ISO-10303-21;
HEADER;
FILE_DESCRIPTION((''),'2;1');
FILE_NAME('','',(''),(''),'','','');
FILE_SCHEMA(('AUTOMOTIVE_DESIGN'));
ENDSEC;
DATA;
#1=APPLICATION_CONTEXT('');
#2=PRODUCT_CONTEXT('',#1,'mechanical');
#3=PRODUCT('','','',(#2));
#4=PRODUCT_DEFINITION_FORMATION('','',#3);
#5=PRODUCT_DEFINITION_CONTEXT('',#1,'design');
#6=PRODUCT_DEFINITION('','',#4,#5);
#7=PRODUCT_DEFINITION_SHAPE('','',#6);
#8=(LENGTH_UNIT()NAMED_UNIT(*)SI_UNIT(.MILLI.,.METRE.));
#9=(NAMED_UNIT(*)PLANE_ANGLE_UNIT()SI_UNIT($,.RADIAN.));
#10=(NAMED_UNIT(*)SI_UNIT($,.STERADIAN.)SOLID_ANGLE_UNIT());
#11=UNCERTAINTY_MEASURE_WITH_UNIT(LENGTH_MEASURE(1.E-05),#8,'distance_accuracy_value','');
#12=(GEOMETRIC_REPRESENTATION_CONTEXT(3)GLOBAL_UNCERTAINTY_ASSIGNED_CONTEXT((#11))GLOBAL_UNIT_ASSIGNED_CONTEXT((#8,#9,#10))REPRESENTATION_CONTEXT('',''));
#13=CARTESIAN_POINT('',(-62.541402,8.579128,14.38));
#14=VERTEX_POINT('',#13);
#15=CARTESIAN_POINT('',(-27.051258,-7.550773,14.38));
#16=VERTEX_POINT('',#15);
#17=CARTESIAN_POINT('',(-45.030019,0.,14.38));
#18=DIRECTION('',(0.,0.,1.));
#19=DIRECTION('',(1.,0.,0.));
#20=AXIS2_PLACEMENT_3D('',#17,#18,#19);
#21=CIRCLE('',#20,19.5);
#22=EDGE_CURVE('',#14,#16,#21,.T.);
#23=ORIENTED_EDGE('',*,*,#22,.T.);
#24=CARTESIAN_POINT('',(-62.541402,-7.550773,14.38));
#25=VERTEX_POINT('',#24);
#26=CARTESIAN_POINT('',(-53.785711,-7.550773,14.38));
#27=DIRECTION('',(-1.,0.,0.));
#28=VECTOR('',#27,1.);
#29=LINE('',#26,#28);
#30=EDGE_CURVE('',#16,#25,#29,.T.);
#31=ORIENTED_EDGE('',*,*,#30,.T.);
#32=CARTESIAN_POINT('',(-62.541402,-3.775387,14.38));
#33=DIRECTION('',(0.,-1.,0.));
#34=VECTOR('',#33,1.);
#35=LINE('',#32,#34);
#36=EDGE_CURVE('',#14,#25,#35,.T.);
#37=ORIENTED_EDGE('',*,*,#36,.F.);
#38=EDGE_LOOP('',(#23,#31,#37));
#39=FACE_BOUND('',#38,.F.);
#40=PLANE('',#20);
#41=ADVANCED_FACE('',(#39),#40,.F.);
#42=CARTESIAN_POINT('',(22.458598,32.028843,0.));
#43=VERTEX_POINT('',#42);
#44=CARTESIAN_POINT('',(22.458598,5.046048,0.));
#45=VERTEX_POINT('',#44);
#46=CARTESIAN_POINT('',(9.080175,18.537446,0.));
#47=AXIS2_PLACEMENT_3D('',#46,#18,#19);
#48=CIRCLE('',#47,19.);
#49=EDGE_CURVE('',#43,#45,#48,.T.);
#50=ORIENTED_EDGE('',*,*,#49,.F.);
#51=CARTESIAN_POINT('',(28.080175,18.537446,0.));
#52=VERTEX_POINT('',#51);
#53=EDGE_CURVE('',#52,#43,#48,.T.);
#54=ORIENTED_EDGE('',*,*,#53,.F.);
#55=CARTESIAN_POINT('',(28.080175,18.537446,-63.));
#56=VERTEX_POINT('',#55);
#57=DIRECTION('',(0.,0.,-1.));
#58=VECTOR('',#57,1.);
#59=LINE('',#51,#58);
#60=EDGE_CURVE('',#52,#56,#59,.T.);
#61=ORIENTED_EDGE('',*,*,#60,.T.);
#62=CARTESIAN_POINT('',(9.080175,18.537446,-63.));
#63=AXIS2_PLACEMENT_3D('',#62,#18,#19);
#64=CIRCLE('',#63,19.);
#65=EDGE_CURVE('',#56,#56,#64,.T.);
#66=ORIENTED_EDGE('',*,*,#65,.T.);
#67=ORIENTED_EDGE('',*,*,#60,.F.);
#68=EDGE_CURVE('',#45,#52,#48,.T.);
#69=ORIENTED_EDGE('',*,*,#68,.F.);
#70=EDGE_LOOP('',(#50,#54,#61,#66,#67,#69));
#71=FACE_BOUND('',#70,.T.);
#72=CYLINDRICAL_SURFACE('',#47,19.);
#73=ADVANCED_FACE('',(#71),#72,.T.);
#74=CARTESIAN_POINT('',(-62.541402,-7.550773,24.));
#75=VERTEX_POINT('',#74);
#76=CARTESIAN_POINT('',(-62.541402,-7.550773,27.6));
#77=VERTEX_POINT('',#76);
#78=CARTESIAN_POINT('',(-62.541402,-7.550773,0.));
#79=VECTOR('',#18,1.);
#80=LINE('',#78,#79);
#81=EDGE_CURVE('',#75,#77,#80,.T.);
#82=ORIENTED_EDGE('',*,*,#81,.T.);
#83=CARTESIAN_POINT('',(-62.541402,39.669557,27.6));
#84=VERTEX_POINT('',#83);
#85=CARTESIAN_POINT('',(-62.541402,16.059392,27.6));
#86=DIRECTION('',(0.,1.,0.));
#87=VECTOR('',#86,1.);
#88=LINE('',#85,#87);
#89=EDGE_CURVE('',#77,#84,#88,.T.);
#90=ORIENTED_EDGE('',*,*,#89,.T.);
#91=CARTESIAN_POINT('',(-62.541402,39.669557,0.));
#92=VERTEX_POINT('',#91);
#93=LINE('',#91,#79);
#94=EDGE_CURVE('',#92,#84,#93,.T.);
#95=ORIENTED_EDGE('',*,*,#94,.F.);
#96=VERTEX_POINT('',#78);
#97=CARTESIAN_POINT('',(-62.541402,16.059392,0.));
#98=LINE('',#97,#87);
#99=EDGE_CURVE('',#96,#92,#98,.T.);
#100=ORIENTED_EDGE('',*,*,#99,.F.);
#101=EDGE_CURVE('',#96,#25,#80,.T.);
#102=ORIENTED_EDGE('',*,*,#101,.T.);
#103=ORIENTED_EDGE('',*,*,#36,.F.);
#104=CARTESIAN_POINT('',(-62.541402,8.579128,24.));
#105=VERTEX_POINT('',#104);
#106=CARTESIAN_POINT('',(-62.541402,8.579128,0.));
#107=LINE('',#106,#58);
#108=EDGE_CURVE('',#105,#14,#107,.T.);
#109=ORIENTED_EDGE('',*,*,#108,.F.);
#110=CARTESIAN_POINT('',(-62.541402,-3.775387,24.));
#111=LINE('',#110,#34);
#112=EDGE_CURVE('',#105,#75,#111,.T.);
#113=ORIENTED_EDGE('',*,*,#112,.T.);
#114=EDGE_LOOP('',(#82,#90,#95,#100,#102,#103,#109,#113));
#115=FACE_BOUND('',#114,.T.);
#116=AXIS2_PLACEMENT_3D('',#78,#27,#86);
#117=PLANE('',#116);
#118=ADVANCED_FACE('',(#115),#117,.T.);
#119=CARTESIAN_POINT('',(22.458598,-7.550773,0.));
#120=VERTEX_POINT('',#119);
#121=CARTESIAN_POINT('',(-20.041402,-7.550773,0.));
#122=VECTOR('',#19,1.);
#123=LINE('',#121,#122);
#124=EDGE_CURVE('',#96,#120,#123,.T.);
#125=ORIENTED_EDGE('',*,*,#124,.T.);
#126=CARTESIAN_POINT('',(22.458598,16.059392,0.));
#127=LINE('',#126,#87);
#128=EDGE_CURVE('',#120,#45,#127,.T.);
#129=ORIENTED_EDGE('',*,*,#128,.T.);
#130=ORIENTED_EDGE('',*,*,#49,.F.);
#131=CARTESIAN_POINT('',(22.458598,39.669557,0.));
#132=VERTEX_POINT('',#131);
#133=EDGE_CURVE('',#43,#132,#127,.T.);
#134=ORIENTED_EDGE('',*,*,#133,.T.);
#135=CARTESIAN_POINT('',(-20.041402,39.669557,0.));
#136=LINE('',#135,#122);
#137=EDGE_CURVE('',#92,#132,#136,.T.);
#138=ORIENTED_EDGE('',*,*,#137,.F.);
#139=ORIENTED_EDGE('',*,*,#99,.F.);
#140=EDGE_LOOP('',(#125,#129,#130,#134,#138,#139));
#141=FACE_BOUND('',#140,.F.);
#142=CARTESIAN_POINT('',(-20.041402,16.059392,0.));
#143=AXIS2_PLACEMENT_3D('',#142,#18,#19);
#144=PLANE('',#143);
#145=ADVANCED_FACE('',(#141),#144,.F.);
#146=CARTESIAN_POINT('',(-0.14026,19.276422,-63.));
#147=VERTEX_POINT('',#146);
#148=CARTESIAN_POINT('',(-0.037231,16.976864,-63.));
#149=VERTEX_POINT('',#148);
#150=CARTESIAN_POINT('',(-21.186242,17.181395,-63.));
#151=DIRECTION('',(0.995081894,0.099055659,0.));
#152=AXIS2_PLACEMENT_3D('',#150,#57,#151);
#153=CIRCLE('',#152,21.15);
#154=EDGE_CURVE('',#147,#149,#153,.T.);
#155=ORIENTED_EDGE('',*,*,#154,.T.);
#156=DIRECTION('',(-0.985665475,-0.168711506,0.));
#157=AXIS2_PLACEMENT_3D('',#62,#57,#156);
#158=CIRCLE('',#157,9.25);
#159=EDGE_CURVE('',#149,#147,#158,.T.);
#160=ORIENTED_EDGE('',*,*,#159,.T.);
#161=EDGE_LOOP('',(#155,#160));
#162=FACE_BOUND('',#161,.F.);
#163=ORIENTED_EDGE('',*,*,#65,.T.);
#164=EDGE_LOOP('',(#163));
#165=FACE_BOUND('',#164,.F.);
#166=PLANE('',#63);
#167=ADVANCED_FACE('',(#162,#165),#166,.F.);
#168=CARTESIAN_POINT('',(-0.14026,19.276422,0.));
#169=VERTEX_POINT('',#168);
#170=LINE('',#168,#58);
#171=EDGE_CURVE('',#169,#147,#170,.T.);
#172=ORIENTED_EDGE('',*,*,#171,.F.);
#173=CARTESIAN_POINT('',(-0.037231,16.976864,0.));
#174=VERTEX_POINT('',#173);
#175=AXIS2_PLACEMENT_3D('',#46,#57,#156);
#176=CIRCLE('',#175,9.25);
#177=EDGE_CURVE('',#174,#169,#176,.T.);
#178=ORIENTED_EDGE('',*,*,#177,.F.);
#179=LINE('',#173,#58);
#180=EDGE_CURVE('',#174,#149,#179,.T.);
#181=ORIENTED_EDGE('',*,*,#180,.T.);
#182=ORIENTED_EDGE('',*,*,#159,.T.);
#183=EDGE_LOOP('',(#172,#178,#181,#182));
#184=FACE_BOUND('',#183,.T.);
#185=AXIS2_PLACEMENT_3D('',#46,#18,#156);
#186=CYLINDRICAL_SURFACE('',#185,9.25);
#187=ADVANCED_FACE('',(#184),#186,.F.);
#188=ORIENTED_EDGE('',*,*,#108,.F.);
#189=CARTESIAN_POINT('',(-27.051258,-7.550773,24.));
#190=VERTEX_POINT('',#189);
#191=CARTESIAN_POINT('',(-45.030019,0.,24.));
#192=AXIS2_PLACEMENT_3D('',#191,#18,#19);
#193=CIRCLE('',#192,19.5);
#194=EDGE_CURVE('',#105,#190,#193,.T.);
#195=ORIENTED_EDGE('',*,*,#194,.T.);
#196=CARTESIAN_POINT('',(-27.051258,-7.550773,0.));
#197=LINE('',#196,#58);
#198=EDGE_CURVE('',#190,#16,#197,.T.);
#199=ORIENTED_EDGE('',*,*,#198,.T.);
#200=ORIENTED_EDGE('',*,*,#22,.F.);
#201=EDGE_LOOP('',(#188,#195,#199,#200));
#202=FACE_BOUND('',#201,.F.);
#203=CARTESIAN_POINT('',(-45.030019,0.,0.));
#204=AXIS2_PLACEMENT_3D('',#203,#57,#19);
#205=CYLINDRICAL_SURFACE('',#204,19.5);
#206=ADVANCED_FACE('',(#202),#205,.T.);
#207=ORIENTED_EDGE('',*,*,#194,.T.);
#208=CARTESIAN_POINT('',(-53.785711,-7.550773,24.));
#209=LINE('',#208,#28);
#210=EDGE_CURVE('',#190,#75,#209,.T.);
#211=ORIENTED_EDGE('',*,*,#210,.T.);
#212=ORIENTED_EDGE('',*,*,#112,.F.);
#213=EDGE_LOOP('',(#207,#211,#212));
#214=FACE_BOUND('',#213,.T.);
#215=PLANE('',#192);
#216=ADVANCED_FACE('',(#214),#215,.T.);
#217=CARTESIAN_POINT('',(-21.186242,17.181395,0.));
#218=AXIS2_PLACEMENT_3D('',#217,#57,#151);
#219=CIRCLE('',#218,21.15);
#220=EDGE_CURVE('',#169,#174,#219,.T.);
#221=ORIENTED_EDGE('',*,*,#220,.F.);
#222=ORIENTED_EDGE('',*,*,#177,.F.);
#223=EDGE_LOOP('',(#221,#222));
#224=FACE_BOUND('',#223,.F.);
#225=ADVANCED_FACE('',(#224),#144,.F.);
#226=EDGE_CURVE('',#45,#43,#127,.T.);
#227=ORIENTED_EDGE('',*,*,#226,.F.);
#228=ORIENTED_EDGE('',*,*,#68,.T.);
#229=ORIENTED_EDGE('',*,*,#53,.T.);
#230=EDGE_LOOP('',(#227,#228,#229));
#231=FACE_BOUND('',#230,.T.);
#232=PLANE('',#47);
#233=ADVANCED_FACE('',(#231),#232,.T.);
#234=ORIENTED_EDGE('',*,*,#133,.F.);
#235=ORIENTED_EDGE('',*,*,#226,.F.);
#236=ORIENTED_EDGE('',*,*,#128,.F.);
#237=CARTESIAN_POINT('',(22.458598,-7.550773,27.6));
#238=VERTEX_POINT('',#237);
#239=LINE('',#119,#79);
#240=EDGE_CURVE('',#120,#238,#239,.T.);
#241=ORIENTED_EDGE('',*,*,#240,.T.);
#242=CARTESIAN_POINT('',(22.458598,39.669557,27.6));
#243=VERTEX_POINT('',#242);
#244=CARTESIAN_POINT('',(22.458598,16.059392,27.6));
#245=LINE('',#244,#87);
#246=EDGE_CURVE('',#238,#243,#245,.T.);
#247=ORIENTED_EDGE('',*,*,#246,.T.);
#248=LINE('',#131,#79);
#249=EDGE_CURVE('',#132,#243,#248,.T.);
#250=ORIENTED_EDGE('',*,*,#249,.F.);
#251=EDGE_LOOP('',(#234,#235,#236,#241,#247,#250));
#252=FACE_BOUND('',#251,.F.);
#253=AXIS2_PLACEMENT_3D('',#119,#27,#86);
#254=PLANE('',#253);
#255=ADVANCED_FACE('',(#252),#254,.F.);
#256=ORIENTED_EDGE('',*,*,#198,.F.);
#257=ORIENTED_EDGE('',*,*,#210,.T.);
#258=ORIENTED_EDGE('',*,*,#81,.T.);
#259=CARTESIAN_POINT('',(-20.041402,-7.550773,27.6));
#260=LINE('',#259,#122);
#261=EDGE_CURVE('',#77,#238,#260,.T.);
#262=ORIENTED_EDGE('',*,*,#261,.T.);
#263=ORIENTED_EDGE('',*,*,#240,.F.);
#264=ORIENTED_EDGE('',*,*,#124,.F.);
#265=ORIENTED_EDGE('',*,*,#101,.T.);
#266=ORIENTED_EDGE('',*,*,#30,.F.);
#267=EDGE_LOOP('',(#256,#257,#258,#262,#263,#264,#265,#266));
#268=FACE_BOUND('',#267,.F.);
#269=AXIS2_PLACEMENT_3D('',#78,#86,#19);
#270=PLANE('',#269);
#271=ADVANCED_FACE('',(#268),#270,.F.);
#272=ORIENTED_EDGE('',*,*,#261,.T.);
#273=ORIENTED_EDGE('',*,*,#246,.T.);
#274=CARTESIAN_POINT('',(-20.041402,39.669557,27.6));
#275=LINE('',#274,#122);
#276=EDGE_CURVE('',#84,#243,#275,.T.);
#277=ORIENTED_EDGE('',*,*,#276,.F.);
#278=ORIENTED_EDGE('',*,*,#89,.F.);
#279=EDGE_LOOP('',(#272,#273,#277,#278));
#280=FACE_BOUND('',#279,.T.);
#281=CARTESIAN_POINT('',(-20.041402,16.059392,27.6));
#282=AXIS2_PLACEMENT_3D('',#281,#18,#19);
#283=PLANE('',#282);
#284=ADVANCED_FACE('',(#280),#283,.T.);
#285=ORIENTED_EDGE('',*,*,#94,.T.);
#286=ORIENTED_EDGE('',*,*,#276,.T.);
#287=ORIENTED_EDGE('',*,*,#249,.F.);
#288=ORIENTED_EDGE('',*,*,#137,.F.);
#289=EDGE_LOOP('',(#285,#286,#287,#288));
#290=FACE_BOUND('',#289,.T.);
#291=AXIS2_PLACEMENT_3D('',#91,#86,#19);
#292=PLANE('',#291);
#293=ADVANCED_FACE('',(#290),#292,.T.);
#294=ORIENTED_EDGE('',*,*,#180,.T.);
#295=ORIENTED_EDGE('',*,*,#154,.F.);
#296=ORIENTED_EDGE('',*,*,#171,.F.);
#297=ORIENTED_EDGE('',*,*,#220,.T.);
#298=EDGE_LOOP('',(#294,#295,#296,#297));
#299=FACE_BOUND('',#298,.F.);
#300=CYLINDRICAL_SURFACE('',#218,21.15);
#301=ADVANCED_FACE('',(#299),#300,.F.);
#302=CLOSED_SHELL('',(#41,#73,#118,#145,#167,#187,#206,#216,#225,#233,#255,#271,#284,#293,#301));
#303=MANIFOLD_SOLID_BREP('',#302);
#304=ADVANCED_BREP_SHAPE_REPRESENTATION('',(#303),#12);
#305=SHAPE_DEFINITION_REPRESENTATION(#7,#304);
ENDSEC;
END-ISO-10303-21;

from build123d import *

# Parameters (mm, degrees)
SKETCH1_R          = 19
EXTRUDE13_DEPTH    = 63
EXTRUDE15_DEPTH    = 17
SKETCH2_R          = 19.5
EXTRUDE18_DEPTH    = 24
SKETCH2_6_R        = 19.5
CUT_EXTRUDE1_DEPTH = 14.38
SKETCH7_W          = 85
SKETCH7_H          = 47.220330203
EXTRUDE21_DEPTH    = 27.6


with BuildPart() as part:
    # Sketch1 → Extrude13 (new body)
    with BuildSketch(Plane.XY):
        with Locations((9.080174701, 18.537445764)):
            Circle(SKETCH1_R)
        with BuildLine():
            ThreePointArc((-0.037230939, 16.976864339), (-0.16055511, 18.123425772), (-0.140259902, 19.276421901))
            ThreePointArc((-0.140259902, 19.276421901), (-0.057438126, 18.128045807), (-0.037230939, 16.976864339))
        make_face(mode=Mode.SUBTRACT)
    extrude(amount=-EXTRUDE13_DEPTH)

    # Sketch1<17> → Extrude15 (add)
    with BuildSketch(Plane.XY):
        with BuildLine():
            ThreePointArc((-0.140259902, 19.276421901), (-0.057438126, 18.128045807), (-0.037230939, 16.976864339))
            ThreePointArc((-0.037230939, 16.976864339), (18.320904513, 18.951465757), (-0.140259902, 19.276421901))
        make_face()
    extrude(amount=EXTRUDE15_DEPTH)



with BuildPart() as body_2:
    # Sketch2 → Extrude18 (new body)
    with BuildSketch(Plane.XY):
        with Locations((-45.03001877, 0)):
            Circle(SKETCH2_R)
    extrude(amount=EXTRUDE18_DEPTH)

    # Sketch2<6> → Cut-Extrude1 (cut)
    with BuildSketch(Plane.XY):
        with Locations((-45.03001877, 0)):
            Circle(SKETCH2_6_R)
    extrude(amount=CUT_EXTRUDE1_DEPTH, mode=Mode.SUBTRACT)


with BuildPart() as part_1:
    add(part.part)

    add(body_2.part)  # Extrude21 merges body 2
    # Sketch7 → Extrude21 (add)
    with BuildSketch(Plane.XY):
        with Locations((-20.041402411, 16.059391911)):
            Rectangle(SKETCH7_W, SKETCH7_H)
    extrude(amount=EXTRUDE21_DEPTH)


solid = part_1.part
